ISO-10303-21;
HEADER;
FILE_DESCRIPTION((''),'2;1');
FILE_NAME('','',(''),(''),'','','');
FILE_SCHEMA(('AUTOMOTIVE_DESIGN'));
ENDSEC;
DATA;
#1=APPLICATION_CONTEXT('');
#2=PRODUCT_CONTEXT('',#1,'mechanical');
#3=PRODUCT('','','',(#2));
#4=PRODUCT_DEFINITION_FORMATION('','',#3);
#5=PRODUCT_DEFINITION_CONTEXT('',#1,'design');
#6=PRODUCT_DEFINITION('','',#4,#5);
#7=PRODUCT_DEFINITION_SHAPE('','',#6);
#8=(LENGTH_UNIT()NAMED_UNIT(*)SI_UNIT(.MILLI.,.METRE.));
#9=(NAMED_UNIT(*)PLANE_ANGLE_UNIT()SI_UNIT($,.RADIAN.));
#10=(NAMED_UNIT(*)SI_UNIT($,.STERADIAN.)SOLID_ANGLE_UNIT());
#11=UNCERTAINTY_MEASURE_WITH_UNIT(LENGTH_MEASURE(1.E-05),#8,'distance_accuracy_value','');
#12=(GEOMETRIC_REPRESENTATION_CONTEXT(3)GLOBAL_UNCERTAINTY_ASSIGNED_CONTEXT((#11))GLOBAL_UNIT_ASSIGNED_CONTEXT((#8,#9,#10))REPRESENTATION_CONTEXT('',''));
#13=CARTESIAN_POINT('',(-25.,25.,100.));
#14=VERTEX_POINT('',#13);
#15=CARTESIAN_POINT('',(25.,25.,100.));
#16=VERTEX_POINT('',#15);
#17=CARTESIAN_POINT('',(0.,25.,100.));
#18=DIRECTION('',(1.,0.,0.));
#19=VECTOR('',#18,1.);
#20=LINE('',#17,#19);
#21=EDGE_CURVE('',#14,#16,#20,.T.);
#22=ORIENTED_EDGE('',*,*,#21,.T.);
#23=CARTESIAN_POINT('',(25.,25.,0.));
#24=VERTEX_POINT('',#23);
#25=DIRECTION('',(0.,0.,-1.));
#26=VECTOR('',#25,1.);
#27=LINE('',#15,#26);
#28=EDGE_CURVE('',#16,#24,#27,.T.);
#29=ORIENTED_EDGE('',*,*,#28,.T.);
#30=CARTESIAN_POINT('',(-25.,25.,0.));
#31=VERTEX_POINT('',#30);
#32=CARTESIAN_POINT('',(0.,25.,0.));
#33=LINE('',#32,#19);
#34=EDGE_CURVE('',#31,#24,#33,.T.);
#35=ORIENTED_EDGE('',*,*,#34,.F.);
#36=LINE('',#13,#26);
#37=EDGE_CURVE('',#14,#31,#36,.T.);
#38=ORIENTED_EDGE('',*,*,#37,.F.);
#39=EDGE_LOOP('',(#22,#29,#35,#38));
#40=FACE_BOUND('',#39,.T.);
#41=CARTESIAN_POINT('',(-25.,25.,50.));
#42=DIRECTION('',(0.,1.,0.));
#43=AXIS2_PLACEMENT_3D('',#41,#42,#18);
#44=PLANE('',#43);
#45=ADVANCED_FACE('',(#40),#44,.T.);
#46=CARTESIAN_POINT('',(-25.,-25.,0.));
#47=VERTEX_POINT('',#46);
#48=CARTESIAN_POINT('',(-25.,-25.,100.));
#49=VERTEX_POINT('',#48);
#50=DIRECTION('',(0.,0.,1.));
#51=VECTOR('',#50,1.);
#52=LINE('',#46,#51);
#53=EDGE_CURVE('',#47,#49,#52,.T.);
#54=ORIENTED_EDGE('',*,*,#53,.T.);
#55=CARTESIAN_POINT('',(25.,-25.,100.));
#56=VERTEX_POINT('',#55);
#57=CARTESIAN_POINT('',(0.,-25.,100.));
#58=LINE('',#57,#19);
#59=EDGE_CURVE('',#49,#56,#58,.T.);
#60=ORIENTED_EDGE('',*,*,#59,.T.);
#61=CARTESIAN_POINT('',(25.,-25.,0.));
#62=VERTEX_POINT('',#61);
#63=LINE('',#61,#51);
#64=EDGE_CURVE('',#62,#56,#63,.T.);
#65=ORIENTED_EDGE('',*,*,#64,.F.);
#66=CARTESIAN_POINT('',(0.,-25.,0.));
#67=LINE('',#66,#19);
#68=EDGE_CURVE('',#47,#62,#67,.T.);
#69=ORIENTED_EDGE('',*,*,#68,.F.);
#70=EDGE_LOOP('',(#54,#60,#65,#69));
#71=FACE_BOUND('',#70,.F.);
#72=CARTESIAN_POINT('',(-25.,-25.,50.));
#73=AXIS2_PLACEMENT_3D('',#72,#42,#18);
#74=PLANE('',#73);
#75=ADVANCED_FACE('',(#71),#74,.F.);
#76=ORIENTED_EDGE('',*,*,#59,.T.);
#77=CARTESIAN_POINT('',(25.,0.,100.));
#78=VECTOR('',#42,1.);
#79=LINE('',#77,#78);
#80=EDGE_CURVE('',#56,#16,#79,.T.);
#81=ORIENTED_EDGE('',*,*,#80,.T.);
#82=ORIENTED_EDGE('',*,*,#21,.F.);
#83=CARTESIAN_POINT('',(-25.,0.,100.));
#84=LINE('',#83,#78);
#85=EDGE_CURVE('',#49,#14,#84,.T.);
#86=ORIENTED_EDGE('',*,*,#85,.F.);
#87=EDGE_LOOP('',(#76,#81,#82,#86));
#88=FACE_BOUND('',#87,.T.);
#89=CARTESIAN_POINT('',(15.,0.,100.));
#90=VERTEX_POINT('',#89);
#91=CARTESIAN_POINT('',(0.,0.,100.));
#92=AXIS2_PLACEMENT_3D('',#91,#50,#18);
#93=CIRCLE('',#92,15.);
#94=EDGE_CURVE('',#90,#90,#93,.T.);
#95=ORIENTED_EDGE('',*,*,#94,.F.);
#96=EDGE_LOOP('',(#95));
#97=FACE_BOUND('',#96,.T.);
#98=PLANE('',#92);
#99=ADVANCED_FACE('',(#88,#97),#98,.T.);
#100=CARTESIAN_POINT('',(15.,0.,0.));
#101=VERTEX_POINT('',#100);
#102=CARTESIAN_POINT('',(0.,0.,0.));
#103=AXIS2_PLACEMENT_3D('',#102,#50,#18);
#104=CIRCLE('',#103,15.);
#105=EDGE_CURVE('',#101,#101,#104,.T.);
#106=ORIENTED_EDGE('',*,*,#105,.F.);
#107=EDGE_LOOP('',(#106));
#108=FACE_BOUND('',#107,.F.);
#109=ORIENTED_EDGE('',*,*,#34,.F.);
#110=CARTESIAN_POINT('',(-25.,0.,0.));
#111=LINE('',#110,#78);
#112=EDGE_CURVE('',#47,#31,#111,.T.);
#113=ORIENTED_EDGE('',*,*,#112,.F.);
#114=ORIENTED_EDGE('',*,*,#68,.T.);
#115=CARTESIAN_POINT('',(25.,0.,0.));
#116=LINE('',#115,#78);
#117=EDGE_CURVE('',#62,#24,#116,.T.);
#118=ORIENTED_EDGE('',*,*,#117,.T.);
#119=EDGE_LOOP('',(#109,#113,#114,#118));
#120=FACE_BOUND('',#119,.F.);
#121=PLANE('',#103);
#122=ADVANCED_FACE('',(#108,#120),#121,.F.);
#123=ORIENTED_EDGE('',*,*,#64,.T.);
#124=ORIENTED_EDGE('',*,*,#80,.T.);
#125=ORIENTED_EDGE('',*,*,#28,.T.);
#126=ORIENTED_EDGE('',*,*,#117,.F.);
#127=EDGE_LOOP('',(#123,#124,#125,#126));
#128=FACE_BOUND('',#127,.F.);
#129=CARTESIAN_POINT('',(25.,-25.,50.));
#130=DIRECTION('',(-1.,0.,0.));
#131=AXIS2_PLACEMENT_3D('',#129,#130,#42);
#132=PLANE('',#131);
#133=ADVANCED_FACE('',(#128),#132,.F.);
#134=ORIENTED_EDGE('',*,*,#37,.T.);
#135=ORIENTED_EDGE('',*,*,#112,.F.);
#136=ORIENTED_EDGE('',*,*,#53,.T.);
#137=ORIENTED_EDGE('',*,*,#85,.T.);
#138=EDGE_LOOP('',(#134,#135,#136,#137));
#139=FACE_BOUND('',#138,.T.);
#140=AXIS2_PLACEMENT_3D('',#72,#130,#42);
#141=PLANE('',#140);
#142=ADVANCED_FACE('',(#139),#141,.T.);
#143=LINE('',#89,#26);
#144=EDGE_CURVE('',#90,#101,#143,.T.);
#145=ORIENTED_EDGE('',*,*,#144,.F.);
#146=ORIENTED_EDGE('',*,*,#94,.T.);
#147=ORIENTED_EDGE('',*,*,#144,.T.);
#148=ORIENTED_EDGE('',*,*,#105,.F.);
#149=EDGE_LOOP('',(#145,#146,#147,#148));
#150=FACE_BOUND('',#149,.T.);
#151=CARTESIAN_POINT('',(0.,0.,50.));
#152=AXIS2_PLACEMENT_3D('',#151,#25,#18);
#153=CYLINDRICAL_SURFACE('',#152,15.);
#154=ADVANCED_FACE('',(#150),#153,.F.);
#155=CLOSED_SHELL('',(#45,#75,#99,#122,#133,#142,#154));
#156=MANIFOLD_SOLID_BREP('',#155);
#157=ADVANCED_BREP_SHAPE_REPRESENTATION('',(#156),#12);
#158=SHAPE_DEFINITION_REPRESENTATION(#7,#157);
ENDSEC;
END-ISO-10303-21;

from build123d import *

# Parameters (mm, degrees)
F0_W     = 50
F0_H     = 50
F1_DEPTH = 50
F2_R     = 15
F3_DEPTH = 50
F4_DEPTH = 50


with BuildPart() as f1:
    # F0 (on Top) → F1 (new body)
    with BuildSketch(Plane.XY):
        Rectangle(F0_W, F0_H)
    extrude(amount=F1_DEPTH)

    # F2 (on face) → F3 (cut)
    with BuildSketch(Plane.XY.offset(50)):
        Circle(F2_R)
    extrude(amount=-F3_DEPTH, mode=Mode.SUBTRACT)

    # F4 (add): a face of the model
    f4_faces = [f1.faces().sort_by_distance(p)[0] for p in [
        (0, 24.2928932188, 50),
    ]]
    extrude(f4_faces, amount=F4_DEPTH)


solid = f1.part
